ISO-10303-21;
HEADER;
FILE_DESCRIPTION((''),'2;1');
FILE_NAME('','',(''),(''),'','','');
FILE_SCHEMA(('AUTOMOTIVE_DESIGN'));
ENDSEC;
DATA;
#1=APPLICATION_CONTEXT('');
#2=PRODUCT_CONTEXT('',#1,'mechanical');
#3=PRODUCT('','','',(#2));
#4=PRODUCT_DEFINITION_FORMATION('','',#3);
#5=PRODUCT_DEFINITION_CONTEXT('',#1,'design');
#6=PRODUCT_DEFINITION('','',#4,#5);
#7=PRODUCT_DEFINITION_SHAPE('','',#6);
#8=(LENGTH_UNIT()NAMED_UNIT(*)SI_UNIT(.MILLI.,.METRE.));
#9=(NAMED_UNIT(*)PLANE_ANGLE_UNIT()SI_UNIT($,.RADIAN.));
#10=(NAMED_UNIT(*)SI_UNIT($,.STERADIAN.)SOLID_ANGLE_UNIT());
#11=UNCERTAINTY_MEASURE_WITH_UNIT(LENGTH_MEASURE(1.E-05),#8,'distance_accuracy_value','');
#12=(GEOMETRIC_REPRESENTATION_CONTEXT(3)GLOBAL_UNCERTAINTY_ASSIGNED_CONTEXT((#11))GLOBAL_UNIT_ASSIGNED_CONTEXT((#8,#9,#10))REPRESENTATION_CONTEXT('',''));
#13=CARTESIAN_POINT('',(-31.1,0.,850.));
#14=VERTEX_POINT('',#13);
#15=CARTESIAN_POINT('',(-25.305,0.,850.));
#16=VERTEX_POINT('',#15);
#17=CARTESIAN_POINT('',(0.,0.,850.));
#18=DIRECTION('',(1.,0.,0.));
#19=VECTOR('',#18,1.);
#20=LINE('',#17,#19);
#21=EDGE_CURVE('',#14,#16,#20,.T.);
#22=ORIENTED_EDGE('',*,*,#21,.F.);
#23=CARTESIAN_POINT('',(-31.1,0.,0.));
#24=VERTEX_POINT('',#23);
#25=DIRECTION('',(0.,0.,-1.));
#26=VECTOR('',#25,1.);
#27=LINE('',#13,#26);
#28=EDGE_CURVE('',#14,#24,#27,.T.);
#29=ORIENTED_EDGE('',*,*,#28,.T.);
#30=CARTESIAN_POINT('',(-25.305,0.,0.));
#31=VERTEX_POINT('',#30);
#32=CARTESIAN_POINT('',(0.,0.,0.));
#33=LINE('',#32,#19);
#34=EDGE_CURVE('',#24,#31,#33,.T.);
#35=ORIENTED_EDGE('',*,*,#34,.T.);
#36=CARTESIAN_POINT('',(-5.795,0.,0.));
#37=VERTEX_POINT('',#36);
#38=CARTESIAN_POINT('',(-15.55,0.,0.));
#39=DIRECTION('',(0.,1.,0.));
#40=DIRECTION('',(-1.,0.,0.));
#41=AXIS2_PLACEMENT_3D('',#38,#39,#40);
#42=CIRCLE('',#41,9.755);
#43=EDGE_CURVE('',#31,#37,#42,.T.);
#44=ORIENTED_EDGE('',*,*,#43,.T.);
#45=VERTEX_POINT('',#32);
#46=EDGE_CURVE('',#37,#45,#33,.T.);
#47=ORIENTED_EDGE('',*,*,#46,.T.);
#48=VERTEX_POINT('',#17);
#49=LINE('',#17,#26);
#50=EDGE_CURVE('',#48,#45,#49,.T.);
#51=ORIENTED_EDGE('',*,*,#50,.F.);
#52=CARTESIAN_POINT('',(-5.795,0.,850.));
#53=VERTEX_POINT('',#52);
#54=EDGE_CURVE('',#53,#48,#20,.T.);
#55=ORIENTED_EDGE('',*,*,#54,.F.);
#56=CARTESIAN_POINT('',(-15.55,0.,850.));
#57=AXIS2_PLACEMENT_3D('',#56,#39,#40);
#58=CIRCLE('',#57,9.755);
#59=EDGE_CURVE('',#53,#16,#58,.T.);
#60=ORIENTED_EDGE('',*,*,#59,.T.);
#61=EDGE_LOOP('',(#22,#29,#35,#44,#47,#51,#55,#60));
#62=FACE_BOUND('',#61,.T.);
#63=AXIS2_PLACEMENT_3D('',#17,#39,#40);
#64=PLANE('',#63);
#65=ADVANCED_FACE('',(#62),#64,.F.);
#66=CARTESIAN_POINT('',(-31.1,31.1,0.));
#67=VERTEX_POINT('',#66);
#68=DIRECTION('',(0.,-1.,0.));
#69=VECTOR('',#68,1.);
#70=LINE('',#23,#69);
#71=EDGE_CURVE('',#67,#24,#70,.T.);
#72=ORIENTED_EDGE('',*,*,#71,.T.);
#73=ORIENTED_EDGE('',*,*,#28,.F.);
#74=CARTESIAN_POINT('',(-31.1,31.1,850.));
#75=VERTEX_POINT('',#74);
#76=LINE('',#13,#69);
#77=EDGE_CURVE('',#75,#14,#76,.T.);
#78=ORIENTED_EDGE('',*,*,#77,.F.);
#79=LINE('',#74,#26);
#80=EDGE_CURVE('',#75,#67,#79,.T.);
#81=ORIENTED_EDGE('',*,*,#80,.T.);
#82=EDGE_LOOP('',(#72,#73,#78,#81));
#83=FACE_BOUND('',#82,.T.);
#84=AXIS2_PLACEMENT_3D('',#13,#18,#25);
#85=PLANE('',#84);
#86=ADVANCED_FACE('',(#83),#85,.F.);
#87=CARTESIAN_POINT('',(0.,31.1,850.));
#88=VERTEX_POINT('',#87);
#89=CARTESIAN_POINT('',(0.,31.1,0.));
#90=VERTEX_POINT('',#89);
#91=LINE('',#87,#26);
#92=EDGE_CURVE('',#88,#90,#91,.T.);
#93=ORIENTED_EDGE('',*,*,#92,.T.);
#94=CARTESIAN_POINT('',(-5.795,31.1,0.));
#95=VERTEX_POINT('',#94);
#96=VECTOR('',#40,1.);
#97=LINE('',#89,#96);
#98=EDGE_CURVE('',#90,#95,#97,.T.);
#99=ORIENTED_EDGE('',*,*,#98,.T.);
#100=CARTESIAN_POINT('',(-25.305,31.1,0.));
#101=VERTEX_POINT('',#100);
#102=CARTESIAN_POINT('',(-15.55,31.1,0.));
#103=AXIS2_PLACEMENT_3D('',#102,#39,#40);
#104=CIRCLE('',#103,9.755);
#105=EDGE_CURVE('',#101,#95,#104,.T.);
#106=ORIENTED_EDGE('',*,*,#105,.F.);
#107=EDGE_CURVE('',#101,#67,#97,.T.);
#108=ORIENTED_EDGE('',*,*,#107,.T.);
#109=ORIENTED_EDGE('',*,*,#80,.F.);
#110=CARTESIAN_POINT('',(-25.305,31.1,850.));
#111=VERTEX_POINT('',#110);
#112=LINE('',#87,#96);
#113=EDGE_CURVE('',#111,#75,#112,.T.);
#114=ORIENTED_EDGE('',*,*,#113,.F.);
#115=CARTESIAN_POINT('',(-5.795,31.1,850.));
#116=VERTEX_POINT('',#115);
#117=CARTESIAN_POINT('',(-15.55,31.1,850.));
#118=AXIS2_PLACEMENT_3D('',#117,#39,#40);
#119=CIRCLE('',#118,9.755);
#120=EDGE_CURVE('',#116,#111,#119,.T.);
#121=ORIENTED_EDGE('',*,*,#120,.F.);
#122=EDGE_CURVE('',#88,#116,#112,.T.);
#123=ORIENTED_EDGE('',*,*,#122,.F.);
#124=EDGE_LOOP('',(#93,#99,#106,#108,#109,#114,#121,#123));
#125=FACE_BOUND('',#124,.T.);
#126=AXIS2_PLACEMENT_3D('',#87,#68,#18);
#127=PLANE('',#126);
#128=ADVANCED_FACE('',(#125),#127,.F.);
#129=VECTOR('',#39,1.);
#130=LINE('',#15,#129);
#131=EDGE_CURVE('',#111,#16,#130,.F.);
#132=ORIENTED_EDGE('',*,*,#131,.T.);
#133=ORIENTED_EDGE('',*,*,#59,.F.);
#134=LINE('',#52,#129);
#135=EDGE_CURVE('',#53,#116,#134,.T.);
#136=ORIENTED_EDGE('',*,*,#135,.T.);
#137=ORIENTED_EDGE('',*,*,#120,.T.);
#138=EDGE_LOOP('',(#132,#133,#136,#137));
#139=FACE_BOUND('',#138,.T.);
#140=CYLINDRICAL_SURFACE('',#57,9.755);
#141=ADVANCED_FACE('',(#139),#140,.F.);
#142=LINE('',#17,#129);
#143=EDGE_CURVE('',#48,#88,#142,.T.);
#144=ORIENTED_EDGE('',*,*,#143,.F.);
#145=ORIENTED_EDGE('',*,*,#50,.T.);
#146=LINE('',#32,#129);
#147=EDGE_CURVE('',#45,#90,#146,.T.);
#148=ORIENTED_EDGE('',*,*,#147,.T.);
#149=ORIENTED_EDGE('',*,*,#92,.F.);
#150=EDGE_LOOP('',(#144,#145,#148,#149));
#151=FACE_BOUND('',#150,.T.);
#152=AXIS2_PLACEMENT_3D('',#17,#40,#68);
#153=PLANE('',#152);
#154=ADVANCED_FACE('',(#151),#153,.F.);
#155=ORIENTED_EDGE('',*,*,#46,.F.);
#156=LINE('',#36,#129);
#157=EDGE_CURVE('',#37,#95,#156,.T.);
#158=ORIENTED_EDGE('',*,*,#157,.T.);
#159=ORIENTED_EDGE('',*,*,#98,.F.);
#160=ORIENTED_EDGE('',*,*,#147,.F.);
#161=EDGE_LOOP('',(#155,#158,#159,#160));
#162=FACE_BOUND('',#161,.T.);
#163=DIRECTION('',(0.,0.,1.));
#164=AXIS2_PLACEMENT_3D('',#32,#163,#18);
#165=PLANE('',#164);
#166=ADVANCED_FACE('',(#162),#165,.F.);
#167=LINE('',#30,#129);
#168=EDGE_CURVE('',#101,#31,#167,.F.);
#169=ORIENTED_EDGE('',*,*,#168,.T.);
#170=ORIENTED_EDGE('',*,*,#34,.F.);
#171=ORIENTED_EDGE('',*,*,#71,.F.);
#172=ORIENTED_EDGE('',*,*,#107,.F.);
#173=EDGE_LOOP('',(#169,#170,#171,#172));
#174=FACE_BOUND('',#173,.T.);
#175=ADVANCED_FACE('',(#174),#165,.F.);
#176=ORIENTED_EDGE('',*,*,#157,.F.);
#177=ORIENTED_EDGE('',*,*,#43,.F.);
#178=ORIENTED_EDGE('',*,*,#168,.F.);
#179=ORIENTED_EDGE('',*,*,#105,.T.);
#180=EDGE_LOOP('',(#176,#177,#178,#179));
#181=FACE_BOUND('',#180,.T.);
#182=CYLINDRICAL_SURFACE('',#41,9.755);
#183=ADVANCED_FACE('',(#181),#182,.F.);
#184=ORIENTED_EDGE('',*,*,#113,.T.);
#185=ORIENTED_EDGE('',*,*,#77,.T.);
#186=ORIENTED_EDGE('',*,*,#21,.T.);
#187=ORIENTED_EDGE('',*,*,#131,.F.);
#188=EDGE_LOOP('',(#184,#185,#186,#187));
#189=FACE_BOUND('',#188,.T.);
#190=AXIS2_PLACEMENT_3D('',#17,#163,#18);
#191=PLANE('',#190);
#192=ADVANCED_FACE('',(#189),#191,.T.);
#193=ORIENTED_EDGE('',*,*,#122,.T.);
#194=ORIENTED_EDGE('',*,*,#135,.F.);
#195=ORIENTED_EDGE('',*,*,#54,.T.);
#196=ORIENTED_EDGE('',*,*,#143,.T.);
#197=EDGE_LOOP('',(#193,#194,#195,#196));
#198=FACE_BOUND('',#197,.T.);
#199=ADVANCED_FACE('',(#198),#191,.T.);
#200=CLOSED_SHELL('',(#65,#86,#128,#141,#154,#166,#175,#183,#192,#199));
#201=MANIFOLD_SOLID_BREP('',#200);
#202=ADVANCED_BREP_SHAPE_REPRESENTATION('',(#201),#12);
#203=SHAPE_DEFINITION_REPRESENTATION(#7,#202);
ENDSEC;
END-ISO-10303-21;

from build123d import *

# Parameters (mm, degrees)
SKETCH1_W           = 31.1
SKETCH1_H           = 31.1
BOSS_EXTRUDE1_DEPTH = 850
SKETCH2_R           = 9.755
CUT_EXTRUDE1_DEPTH  = 31.1


with BuildPart() as part:
    # Sketch1 → Boss-Extrude1 (new body)
    with BuildSketch(Plane.XY):
        with Locations((-15.55, 15.55)):
            Rectangle(SKETCH1_W, SKETCH1_H)
    extrude(amount=BOSS_EXTRUDE1_DEPTH)

    # Sketch2 → Cut-Extrude1 (cut)
    with BuildSketch(Plane(origin=(0, 31.1, 0), x_dir=(1, 0, 0), z_dir=(0, 1, 0))):
        with Locations((-15.55, 0)):
            Circle(SKETCH2_R)
        with Locations((-15.55, -850)):
            Circle(SKETCH2_R)
    extrude(amount=-CUT_EXTRUDE1_DEPTH, mode=Mode.SUBTRACT)


solid = part.part
